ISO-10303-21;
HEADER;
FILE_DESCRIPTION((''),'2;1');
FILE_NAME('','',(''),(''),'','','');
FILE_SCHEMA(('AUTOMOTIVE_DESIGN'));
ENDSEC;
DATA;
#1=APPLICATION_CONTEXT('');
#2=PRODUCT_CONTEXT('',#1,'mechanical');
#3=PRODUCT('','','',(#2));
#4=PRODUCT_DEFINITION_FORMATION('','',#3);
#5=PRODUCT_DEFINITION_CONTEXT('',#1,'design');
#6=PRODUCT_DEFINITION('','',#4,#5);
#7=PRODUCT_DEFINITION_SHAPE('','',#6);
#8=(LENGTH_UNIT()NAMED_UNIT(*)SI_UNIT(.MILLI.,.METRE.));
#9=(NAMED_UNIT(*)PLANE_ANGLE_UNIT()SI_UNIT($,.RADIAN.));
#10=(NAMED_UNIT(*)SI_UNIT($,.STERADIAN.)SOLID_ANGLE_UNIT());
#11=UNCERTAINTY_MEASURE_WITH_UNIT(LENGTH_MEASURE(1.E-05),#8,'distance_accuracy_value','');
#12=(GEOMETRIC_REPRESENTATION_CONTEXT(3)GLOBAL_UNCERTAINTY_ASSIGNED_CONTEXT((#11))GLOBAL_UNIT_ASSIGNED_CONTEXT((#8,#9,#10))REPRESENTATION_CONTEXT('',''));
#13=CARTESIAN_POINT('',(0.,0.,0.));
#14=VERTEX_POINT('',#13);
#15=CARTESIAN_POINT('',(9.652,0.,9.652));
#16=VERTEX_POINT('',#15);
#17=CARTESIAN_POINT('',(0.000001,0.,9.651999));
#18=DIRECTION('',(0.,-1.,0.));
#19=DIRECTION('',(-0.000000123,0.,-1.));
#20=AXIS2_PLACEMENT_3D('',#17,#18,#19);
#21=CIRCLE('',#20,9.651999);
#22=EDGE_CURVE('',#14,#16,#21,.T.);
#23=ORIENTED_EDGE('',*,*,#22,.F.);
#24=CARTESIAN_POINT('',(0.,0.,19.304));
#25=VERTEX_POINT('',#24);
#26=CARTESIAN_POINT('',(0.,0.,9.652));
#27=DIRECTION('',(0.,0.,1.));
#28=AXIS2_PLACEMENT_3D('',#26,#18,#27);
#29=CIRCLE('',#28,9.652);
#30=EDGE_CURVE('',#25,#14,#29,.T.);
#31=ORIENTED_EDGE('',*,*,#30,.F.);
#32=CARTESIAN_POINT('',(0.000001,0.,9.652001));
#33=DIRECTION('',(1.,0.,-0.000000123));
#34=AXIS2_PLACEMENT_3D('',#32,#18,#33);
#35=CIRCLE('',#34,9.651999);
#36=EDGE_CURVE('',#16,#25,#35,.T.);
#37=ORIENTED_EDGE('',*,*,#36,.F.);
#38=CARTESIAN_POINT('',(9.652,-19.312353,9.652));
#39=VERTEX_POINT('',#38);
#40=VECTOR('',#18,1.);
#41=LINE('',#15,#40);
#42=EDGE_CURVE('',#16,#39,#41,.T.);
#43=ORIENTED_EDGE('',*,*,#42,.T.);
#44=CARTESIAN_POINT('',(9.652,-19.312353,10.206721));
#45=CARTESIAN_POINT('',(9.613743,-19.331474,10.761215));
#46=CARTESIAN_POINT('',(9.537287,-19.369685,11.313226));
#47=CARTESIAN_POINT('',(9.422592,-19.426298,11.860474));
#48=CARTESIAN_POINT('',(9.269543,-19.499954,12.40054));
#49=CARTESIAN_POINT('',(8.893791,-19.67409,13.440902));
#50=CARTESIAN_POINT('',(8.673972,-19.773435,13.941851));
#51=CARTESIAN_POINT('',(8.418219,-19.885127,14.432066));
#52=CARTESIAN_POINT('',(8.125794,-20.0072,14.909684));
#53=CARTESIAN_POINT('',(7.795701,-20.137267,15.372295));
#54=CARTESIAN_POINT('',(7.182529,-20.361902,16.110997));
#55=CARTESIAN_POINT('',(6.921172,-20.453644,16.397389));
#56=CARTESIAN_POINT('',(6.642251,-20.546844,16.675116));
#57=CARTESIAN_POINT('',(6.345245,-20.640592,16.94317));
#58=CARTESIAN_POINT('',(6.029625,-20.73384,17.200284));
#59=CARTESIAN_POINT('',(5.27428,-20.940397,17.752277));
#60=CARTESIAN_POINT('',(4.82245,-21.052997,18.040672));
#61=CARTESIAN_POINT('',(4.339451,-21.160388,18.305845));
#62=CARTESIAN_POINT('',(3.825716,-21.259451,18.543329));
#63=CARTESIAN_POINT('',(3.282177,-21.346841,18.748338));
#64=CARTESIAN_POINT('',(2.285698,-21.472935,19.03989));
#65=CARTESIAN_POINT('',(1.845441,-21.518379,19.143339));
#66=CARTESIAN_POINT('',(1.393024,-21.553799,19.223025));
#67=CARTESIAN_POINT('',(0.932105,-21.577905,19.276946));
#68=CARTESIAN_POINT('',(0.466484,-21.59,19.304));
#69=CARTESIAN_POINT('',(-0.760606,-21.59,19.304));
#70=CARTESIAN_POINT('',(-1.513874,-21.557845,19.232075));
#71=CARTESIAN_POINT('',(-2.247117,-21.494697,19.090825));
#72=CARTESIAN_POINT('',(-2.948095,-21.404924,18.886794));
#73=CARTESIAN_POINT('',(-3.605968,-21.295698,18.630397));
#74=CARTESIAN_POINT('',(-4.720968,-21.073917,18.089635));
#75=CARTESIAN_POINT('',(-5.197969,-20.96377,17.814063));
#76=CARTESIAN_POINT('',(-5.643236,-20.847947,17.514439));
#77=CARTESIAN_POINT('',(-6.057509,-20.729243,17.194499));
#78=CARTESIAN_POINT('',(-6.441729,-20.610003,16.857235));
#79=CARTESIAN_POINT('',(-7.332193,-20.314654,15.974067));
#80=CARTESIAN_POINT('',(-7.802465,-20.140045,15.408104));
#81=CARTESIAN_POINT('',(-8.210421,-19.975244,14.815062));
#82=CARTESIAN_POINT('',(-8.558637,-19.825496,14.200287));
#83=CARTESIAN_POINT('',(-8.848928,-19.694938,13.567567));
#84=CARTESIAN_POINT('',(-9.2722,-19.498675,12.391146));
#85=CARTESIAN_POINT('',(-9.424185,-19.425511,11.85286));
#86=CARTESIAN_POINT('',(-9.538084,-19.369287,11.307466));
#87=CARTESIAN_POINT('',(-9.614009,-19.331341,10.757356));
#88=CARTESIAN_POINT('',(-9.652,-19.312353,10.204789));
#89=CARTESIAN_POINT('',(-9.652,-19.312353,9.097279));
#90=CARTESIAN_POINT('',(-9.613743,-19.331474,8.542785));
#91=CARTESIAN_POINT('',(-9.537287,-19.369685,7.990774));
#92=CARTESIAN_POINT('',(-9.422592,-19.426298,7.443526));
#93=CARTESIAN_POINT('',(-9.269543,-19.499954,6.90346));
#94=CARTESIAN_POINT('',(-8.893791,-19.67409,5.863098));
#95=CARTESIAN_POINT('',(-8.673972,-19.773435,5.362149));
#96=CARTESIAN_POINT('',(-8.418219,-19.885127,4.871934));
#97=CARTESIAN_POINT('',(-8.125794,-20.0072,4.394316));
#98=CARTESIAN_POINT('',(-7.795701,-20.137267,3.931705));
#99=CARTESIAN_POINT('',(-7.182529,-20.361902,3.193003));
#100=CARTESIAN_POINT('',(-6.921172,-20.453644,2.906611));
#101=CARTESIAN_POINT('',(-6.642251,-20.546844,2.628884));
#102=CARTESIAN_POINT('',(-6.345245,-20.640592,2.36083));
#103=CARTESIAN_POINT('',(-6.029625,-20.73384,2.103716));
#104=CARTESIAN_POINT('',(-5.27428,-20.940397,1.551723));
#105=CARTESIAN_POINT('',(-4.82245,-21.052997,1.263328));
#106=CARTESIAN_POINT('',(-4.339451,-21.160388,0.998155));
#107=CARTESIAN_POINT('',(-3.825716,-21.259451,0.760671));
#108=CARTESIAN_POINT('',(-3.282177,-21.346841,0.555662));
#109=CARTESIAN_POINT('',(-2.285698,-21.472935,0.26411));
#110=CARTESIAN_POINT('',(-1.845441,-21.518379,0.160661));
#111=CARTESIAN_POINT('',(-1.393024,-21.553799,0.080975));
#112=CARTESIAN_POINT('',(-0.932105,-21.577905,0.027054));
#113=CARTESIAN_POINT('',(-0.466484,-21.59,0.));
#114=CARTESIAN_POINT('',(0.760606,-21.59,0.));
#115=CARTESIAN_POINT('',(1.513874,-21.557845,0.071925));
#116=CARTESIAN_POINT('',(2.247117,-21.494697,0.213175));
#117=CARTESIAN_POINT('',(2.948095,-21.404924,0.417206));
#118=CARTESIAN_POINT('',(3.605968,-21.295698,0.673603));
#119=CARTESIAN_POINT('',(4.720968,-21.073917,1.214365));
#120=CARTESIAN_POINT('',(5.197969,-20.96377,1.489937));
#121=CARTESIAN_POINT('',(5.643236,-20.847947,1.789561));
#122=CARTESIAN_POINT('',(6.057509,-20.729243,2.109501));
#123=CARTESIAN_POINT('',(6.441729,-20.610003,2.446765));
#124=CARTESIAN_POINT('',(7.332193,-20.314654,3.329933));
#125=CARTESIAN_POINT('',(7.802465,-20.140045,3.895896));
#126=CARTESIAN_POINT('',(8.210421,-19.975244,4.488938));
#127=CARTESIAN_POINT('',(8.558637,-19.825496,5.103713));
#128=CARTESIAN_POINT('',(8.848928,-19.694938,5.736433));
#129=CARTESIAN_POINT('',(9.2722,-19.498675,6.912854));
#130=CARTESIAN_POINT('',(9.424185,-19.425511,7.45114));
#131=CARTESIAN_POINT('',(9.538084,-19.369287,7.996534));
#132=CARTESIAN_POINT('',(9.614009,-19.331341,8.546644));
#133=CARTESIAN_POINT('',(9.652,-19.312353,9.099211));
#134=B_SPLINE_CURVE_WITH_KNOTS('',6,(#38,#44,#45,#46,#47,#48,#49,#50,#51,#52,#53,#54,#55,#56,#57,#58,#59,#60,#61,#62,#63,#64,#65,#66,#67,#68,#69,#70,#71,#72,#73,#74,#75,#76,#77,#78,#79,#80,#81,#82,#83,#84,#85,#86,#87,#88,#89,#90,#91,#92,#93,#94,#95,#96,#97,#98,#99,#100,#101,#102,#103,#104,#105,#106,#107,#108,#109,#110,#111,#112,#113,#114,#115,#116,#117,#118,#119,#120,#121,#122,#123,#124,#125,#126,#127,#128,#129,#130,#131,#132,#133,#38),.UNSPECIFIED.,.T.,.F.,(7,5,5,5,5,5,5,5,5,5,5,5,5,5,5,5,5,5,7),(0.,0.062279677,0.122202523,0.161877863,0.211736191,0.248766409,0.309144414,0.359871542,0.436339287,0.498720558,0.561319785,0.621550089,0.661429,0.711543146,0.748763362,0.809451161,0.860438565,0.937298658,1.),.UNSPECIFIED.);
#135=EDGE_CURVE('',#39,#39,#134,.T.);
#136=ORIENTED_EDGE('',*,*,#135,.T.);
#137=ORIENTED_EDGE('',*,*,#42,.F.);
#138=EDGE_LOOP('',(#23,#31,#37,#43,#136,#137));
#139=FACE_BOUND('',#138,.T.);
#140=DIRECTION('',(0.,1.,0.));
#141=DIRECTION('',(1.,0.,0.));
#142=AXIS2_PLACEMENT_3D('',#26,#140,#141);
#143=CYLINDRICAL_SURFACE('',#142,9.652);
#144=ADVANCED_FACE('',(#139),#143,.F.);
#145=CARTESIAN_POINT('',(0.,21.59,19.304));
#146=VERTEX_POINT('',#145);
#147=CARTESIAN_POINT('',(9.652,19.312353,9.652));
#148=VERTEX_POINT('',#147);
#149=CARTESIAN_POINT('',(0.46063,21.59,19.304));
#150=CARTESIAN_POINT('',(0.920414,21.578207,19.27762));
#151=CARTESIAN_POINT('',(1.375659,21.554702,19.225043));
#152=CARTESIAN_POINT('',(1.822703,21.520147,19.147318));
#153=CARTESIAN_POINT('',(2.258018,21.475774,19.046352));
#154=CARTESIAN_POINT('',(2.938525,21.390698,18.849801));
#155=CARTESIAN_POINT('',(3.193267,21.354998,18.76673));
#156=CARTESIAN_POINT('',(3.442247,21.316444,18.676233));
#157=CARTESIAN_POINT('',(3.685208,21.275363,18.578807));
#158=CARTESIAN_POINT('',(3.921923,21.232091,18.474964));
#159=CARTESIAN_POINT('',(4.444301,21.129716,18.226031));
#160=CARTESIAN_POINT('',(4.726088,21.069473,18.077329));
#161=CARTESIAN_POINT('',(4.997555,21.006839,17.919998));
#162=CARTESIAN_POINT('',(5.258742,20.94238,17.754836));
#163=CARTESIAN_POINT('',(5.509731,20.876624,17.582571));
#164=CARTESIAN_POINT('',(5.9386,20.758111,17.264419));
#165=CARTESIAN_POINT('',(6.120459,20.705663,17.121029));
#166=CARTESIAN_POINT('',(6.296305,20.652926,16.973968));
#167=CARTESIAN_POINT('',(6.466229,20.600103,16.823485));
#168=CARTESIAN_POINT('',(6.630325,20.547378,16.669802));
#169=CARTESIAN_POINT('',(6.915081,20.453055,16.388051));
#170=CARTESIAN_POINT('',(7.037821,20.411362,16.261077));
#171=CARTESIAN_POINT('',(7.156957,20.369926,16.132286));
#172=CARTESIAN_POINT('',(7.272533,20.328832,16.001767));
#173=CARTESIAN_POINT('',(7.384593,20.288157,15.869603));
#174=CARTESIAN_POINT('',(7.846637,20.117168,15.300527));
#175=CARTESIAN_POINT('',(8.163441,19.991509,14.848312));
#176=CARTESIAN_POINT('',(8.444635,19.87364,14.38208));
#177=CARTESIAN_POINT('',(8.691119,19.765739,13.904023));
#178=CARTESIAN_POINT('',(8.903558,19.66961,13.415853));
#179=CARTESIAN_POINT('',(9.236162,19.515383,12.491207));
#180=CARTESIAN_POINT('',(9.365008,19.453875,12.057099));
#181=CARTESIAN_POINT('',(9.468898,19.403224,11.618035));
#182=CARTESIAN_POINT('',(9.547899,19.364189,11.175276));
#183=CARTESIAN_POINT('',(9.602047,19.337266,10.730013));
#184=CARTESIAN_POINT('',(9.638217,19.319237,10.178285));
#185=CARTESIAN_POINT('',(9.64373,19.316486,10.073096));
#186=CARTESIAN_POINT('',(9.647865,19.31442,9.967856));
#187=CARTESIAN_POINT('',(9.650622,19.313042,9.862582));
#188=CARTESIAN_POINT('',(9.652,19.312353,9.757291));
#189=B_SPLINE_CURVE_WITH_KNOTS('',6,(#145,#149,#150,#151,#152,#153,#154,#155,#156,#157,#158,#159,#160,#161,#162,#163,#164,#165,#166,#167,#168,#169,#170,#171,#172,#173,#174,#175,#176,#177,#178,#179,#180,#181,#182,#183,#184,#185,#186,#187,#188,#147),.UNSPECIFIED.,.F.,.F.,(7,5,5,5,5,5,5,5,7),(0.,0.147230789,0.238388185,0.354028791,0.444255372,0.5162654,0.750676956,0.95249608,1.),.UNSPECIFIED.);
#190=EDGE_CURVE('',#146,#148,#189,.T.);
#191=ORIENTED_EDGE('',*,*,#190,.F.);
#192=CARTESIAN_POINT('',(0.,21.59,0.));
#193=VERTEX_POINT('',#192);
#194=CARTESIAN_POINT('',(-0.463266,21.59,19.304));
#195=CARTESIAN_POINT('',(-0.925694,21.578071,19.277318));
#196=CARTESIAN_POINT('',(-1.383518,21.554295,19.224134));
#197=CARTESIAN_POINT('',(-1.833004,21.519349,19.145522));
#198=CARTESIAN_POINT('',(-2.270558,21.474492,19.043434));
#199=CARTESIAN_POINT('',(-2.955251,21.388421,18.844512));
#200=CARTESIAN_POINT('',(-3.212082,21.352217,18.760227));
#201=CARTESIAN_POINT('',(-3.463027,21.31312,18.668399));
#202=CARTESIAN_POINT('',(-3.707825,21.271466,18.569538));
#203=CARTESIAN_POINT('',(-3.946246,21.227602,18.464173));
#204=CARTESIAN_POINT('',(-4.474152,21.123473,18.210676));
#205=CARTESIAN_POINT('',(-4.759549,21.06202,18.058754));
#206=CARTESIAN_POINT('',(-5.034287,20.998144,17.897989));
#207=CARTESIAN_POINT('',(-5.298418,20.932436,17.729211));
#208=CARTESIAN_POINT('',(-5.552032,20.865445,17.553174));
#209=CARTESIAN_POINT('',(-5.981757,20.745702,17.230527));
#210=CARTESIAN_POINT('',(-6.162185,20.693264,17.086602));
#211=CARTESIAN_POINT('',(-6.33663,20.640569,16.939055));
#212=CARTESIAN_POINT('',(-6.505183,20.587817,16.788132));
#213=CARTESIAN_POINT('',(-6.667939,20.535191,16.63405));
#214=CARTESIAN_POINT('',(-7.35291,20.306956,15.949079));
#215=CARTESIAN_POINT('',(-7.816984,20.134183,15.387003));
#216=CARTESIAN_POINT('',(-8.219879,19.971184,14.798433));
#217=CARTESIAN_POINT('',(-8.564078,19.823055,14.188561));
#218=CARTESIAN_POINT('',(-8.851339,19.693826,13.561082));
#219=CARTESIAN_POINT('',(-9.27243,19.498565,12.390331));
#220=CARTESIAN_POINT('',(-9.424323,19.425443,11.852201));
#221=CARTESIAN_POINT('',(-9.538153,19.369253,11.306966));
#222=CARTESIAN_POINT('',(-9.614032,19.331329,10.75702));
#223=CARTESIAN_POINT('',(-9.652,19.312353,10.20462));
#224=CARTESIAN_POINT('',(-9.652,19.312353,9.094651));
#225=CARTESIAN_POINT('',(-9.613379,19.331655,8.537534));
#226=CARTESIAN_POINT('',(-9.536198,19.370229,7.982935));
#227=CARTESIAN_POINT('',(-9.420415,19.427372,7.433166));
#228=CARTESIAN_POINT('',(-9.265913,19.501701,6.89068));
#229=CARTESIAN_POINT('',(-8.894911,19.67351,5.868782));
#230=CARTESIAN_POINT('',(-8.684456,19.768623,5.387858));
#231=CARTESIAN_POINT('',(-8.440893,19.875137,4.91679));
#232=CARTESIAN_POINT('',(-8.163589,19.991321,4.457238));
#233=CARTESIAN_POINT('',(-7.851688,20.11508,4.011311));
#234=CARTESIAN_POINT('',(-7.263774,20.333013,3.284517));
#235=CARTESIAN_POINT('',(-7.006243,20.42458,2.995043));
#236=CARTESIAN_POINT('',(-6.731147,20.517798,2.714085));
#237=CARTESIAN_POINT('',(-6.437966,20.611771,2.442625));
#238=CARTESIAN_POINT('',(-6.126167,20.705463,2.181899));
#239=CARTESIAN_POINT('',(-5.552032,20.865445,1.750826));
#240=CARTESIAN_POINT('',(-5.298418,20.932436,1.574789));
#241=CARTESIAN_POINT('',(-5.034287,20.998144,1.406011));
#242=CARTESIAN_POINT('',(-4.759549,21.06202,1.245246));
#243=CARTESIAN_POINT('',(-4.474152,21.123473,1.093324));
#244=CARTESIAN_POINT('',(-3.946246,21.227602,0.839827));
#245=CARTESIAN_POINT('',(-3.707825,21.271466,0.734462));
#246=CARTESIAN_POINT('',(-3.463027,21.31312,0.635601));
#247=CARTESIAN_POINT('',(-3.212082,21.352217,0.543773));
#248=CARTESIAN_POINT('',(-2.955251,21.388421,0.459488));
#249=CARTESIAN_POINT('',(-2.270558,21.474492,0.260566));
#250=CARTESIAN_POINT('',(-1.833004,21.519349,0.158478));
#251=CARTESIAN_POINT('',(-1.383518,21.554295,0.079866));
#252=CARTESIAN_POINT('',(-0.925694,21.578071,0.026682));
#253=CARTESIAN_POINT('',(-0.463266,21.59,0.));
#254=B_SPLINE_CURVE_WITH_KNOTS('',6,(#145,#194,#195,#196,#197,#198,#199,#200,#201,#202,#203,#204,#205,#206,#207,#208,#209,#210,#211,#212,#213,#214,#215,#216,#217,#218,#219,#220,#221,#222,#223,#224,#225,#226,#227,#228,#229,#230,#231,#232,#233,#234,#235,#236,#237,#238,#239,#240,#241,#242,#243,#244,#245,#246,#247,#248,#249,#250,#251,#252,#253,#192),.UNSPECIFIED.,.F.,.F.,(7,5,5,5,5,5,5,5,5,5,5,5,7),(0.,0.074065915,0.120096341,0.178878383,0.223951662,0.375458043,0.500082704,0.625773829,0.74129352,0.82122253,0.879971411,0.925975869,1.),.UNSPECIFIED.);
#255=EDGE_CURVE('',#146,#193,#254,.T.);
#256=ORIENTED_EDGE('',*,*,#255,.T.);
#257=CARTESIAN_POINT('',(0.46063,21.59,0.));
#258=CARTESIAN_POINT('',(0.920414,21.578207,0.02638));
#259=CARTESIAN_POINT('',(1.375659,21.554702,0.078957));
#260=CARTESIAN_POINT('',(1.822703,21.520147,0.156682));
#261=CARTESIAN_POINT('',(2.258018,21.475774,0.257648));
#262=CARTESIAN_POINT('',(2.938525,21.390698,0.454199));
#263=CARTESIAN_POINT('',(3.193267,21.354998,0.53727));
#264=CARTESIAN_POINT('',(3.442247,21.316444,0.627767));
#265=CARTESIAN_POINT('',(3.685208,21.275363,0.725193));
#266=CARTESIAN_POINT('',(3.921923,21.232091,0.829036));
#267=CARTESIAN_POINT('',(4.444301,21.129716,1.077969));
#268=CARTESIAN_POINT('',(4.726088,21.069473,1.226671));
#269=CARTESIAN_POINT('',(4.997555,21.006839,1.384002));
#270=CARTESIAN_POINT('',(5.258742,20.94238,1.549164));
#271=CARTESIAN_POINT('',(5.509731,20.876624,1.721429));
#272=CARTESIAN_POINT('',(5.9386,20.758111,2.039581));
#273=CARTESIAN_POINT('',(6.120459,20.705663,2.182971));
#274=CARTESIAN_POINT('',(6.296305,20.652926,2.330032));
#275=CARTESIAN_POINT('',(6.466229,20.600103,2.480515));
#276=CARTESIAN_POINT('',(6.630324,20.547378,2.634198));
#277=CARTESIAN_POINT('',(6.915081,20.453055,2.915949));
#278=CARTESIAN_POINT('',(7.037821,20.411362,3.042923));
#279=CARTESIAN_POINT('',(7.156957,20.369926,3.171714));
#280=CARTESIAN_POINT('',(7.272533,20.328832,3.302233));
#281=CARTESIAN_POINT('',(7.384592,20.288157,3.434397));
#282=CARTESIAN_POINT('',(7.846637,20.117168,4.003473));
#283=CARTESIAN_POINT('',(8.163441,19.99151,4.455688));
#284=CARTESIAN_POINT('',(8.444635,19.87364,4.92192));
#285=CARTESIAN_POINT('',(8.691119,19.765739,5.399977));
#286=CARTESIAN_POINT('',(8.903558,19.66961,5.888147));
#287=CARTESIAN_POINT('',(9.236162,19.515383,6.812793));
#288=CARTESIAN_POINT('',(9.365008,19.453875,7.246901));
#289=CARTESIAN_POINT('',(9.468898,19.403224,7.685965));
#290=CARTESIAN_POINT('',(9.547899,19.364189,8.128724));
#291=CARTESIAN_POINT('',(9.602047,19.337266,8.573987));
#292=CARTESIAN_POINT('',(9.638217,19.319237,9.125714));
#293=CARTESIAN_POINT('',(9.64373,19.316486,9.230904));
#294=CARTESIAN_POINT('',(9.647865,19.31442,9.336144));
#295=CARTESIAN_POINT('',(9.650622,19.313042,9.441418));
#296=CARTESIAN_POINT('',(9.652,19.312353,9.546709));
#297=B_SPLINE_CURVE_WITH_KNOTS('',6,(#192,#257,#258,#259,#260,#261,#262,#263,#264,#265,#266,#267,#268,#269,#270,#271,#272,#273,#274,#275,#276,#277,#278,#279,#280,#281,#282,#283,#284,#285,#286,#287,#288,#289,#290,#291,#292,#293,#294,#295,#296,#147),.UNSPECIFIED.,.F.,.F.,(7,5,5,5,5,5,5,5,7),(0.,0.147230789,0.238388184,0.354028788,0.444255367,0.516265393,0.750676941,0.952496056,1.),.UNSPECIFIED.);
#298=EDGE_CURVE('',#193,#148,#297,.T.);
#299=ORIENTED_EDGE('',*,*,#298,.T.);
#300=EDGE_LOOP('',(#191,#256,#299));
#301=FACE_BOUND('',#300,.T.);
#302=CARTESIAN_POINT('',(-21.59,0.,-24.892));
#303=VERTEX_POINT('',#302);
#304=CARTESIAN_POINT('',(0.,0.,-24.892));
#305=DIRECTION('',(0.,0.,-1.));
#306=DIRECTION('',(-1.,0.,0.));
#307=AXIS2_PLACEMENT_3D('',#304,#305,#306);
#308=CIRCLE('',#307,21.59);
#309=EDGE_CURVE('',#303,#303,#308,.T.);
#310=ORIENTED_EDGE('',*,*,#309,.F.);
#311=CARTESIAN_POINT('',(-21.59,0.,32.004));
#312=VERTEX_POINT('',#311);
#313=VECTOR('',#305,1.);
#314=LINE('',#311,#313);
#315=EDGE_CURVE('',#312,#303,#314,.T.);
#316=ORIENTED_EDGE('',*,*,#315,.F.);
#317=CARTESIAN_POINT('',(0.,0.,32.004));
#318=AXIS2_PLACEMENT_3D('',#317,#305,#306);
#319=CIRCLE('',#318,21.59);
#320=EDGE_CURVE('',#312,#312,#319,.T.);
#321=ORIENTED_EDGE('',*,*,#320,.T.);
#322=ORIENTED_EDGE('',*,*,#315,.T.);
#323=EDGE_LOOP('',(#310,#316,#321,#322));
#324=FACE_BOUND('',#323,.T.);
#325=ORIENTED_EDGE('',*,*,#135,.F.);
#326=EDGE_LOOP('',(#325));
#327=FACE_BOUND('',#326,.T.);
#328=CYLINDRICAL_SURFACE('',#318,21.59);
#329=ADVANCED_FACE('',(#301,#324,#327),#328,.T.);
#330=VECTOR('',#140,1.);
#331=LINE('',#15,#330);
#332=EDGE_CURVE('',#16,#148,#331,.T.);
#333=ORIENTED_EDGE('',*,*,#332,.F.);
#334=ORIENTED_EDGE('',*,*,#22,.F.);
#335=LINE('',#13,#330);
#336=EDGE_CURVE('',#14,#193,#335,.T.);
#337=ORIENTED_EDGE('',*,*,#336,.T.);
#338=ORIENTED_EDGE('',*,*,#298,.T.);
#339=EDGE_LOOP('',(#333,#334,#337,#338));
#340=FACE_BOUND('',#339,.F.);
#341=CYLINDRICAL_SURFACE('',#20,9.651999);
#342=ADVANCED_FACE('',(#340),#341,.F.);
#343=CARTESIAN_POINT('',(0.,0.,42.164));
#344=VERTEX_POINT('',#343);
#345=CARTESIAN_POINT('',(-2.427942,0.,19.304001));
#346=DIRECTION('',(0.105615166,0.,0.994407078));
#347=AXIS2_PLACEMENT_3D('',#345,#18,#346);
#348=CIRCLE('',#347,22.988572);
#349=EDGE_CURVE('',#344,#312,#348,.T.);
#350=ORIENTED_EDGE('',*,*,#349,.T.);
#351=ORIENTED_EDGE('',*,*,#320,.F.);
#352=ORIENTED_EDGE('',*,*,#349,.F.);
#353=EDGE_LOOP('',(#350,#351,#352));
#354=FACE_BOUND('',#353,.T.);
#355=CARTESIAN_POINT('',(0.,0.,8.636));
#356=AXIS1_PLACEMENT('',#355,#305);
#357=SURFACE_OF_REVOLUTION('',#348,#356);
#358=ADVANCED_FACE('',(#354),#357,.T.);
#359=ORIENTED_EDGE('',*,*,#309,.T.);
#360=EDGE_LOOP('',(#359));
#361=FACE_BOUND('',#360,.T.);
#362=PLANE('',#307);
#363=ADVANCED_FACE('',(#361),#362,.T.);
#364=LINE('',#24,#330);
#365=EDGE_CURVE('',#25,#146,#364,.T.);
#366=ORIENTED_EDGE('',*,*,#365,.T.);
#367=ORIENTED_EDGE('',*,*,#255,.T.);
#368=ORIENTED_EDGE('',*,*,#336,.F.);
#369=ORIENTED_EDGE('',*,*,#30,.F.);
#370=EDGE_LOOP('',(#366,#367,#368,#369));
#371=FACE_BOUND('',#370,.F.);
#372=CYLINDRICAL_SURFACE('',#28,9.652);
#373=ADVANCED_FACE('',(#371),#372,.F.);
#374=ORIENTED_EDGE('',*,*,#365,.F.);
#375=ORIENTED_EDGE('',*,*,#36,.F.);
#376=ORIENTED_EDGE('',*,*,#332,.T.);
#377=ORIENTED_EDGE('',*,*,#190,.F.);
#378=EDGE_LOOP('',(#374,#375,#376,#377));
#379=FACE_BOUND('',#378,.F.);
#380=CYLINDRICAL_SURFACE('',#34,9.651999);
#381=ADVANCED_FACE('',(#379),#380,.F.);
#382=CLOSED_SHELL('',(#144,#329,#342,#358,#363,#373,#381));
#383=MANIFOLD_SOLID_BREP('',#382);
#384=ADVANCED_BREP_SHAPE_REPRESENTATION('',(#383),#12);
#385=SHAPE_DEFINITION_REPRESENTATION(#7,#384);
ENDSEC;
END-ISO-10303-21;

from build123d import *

# Parameters (mm, degrees)
F3_DEPTH = 21.844
F4_R     = 9.652
F5_DEPTH = 21.844


with BuildPart() as f1:
    # F0 (on Front) → F1 (revolve)
    with BuildSketch(Plane.XZ):
        with BuildLine():
            Line((-21.59, -24.892), (0, -24.892))
            Line((0, -24.892), (0, 0))
            Line((0, 0), (0, 42.164))
            ThreePointArc((0, 42.164), (-12.216408, 40.104491), (-21.59, 32.004))
            Line((-21.59, 32.004), (-21.59, 19.304))
            Line((-21.59, 19.304), (-21.59, 0))
            Line((-21.59, 0), (-21.59, -24.892))
        make_face()
    revolve(axis=Axis((0, 0, 8.636), (0, 0, -1)))

    # F2 (on Front) → F3 (cut)
    with BuildSketch(Plane.XZ):
        with BuildLine():
            ThreePointArc((0, 19.304), (-9.652, 9.652), (0, 0))
            Line((0, 0), (0, 19.304))
        make_face()
        with BuildLine():
            Line((0, 19.304), (0, 0))
            ThreePointArc((0, 0), (6.824995, 2.827005), (9.652, 9.652))
            ThreePointArc((9.652, 9.652), (6.824995, 16.476995), (0, 19.304))
        make_face()
    extrude(amount=-F3_DEPTH, mode=Mode.SUBTRACT)

    # F4 (on Front) → F5 (cut)
    with BuildSketch(Plane.XZ):
        with Locations((0, 9.652)):
            Circle(F4_R)
    extrude(amount=F5_DEPTH, mode=Mode.SUBTRACT)


solid = f1.part
